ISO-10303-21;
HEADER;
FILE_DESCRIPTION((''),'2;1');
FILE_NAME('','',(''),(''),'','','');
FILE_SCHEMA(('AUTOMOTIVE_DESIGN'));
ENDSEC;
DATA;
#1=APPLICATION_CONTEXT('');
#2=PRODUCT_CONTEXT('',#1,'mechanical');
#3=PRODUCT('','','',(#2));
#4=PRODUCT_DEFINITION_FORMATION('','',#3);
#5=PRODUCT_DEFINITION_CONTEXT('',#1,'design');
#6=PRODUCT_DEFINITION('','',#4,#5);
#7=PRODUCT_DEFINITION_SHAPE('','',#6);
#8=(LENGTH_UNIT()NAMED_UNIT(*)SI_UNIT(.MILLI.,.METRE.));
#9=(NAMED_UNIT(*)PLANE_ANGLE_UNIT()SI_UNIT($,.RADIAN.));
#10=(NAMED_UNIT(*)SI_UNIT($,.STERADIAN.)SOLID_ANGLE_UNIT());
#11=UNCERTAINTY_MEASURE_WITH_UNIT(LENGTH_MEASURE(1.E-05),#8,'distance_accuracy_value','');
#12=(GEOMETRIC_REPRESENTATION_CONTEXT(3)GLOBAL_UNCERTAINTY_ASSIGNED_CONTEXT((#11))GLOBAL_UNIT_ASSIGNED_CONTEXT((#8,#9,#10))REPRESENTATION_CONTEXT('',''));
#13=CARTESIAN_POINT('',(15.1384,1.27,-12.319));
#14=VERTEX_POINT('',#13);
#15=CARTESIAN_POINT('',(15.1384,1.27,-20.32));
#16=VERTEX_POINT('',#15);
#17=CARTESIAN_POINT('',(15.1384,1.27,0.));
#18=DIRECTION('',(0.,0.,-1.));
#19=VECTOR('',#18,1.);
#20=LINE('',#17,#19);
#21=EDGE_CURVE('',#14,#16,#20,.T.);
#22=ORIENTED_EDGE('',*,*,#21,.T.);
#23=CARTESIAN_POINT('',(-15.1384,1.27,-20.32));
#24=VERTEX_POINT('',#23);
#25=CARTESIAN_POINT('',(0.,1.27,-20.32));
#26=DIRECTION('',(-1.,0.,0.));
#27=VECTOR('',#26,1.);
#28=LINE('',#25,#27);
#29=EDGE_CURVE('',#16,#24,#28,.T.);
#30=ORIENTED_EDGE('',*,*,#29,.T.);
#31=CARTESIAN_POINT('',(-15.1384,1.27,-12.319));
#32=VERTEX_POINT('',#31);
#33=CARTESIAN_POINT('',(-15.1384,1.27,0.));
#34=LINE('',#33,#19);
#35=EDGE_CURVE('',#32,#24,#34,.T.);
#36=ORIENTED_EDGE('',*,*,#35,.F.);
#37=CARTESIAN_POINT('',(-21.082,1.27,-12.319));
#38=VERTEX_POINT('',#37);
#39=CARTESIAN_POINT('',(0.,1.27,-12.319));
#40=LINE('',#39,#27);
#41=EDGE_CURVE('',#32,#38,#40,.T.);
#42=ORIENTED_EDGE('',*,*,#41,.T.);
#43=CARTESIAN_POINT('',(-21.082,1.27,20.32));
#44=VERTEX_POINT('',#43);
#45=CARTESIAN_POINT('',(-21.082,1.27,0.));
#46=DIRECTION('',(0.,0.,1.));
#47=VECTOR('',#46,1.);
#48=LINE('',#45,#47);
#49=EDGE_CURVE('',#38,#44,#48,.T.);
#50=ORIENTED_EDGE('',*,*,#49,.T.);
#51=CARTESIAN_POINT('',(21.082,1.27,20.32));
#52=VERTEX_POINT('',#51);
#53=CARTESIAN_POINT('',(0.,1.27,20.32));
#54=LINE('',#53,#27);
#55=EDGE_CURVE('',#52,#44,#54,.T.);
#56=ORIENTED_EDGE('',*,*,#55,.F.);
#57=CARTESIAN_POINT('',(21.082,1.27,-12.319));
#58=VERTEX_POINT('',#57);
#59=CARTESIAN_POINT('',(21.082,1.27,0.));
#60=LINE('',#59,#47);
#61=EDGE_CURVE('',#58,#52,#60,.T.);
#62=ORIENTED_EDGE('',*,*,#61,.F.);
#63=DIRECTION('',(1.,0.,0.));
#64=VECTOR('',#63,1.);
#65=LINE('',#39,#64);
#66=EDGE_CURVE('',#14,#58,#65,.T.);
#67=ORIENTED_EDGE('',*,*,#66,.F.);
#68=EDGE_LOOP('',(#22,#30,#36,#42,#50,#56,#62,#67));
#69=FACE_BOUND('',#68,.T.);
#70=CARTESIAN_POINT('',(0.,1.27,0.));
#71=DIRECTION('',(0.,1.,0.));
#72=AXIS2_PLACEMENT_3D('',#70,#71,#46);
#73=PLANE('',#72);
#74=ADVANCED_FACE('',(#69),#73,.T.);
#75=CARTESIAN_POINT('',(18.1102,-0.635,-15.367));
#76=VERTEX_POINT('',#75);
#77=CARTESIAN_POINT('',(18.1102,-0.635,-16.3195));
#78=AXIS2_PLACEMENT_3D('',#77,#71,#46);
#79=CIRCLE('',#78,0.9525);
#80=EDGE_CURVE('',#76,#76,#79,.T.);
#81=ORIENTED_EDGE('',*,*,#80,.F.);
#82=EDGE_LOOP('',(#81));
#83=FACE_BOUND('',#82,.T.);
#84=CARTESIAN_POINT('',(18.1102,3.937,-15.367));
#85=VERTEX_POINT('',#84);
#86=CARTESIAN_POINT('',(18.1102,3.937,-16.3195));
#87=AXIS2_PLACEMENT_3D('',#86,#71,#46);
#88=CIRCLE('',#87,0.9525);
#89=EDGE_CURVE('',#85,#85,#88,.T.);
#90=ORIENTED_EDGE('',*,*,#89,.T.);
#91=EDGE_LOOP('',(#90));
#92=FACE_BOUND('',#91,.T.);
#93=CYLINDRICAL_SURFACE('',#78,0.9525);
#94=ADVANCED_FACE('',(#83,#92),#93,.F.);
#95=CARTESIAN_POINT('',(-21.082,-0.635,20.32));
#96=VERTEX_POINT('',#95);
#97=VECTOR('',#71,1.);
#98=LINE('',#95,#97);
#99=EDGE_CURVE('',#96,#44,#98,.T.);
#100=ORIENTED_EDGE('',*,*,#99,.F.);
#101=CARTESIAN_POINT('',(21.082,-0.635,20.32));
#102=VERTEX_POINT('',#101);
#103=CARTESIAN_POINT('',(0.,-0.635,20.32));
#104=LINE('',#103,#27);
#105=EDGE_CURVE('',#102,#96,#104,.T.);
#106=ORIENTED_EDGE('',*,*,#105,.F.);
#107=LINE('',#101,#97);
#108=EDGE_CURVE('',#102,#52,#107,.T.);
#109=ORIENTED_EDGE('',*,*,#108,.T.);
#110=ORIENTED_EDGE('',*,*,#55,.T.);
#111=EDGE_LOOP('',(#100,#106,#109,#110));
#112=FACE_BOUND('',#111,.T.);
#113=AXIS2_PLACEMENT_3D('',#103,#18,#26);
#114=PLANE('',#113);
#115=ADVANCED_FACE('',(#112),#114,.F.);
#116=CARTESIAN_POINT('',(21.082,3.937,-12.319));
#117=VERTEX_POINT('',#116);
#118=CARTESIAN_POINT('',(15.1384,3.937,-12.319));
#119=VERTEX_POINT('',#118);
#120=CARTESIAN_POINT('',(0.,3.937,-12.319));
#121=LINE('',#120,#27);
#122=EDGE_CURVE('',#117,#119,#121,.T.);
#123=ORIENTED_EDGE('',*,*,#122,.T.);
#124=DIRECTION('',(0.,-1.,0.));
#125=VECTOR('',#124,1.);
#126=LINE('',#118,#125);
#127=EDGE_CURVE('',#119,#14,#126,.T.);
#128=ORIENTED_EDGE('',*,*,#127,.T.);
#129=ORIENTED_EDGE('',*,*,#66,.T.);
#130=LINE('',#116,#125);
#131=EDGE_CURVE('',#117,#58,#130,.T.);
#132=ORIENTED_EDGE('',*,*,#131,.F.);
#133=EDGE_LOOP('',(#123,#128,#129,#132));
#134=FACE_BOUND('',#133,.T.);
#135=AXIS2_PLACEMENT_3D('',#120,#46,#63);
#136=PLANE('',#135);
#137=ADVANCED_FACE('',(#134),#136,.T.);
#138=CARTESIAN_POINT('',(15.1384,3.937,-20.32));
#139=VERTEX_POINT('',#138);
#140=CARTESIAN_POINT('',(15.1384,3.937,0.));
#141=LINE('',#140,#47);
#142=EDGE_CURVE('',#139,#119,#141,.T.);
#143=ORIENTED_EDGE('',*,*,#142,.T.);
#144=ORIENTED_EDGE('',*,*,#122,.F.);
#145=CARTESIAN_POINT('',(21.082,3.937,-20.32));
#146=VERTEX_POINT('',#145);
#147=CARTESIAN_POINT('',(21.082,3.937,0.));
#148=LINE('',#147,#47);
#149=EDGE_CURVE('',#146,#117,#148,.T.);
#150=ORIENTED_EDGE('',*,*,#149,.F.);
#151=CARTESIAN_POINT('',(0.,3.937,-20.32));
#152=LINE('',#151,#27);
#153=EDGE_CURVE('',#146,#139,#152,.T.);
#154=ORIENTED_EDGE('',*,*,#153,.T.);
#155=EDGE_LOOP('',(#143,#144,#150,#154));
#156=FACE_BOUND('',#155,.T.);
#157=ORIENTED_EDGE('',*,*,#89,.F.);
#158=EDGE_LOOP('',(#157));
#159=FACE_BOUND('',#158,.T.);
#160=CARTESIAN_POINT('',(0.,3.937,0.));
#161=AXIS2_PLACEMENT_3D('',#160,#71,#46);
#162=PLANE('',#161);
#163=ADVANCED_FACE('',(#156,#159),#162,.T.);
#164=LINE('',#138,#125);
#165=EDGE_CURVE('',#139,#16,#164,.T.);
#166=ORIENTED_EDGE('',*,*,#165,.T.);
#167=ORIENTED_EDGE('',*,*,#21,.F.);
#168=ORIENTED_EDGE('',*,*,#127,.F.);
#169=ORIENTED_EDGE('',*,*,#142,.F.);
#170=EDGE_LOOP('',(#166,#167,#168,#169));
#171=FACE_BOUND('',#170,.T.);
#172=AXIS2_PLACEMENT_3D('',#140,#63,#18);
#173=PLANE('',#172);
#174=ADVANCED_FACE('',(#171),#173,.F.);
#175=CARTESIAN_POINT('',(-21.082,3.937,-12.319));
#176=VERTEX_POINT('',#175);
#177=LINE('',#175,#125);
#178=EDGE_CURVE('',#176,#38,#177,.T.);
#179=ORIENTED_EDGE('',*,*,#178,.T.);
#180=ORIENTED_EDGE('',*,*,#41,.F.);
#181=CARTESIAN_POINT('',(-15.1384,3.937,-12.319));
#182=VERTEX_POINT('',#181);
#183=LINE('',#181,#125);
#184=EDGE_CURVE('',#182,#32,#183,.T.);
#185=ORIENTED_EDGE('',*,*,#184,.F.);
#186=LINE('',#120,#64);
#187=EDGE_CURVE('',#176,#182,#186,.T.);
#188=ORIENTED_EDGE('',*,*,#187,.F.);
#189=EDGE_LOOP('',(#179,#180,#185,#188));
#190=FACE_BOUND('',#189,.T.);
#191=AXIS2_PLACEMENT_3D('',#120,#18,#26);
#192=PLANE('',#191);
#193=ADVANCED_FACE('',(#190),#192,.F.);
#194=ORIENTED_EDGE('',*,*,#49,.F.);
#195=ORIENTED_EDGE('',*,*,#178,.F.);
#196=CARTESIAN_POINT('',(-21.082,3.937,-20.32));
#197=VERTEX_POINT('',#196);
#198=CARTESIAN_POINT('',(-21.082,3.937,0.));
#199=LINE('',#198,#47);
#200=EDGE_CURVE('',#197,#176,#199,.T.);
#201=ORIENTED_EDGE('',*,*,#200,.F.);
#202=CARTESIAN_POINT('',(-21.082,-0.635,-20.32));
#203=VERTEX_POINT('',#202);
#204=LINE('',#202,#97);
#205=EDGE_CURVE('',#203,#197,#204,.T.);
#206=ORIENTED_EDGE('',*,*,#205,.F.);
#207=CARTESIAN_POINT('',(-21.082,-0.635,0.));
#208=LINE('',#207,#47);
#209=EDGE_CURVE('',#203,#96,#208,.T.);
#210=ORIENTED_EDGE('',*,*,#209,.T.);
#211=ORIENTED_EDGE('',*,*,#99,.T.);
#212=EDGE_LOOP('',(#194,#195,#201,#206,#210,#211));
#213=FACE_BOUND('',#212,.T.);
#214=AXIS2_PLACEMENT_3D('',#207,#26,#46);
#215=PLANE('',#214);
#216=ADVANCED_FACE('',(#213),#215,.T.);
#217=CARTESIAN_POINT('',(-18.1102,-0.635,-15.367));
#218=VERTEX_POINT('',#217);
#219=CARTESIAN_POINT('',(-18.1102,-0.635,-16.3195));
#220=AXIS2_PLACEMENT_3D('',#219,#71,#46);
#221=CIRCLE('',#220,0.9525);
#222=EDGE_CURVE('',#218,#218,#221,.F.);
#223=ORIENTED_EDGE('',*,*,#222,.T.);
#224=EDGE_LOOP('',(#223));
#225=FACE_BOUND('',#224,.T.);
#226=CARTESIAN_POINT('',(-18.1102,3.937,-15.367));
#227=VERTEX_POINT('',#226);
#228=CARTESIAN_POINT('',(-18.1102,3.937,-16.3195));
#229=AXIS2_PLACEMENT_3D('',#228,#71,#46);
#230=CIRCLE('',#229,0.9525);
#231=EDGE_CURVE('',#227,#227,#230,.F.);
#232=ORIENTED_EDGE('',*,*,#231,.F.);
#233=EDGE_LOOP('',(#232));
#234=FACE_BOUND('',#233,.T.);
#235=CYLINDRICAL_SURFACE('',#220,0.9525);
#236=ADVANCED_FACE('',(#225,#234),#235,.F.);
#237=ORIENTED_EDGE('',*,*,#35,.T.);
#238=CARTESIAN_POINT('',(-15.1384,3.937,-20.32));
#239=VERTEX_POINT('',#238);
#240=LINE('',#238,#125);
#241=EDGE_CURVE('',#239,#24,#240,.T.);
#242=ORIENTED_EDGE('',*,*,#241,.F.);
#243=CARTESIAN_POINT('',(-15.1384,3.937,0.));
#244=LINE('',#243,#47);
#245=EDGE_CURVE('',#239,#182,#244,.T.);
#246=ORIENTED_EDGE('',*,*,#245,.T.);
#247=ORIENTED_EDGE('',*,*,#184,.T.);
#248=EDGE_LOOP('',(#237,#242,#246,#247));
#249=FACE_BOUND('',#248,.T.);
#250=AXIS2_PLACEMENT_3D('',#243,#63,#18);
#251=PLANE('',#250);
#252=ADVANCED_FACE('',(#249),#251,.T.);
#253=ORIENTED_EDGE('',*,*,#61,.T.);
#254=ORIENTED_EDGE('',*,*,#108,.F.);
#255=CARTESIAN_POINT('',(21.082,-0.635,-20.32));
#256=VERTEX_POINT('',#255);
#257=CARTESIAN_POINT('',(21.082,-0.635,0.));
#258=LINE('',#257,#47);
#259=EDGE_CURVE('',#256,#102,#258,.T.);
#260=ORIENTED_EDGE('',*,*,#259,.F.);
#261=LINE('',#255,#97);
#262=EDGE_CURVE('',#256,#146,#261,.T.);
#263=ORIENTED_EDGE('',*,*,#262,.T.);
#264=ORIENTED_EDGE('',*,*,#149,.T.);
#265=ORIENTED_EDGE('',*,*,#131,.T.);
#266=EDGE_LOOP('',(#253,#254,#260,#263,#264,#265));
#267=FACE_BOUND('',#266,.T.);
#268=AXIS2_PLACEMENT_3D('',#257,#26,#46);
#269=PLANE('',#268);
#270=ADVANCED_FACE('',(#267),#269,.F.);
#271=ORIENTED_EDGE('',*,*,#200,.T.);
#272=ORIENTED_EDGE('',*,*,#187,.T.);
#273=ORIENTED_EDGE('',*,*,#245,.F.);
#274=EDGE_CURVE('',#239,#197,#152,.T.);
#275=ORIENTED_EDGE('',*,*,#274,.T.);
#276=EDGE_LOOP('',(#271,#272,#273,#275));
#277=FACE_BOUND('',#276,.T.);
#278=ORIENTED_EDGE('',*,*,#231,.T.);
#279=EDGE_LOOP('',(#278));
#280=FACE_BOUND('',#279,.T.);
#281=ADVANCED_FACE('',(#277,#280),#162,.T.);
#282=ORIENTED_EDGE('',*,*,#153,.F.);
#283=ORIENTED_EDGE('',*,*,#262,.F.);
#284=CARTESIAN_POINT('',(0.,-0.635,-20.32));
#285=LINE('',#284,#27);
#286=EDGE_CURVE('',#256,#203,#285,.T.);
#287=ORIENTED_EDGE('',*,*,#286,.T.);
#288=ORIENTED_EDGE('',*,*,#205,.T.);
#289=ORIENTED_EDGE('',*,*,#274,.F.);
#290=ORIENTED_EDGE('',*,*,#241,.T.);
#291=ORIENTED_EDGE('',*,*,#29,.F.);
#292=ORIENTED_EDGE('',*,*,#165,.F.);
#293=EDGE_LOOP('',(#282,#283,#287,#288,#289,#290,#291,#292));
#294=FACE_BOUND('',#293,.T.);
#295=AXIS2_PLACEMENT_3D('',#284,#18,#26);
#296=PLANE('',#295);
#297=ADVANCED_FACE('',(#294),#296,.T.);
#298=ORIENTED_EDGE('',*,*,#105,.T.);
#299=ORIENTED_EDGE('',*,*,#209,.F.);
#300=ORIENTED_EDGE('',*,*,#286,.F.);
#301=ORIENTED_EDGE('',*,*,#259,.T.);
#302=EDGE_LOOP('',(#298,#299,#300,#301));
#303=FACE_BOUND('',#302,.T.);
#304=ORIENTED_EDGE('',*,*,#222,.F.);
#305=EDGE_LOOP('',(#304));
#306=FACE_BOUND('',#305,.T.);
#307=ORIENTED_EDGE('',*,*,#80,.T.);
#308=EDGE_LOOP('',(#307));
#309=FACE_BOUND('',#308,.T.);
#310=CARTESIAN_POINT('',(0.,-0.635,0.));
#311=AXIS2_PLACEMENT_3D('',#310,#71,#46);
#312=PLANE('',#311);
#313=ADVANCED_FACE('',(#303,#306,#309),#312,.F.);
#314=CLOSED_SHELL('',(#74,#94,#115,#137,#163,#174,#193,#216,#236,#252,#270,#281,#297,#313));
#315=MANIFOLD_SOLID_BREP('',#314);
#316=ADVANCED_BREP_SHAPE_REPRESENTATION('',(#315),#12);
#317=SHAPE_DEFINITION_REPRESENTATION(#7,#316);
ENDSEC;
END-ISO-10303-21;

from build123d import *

# Parameters (mm, degrees)
BOSS_EXTRUDE1_DEPTH      = 1.27
BOSS_EXTRUDE1_DEPTH_BACK = 0.635
SKETCH1_W                = 42.164
SKETCH1_H                = 40.64
SKETCH1_R                = 0.9525
SKETCH1_4_W              = 5.9436
SKETCH1_4_H              = 8.001
SKETCH1_4_R              = 0.9525
BOSS_EXTRUDE2_DEPTH      = 3.937


with BuildPart() as part:
    # Sketch1 → Boss-Extrude1 (new, two sides: drawn at the far end of the back side and taken through both)
    with BuildSketch(Plane(origin=(0, 0, 0), x_dir=(1, 0, 0), z_dir=(0, 1, 0)).offset(-BOSS_EXTRUDE1_DEPTH_BACK)):
        Rectangle(SKETCH1_W, SKETCH1_H)
        with Locations((18.1102, 16.3195)):
            Circle(SKETCH1_R, mode=Mode.SUBTRACT)
        with Locations((-18.1102, 16.3195)):
            Circle(SKETCH1_R, mode=Mode.SUBTRACT)
    extrude(amount=BOSS_EXTRUDE1_DEPTH + BOSS_EXTRUDE1_DEPTH_BACK)

    # Sketch1_4 → Boss-Extrude2 (add)
    # profile 1 of 2: a face of its own
    with BuildSketch(Plane(origin=(0, 0, 0), x_dir=(1, 0, 0), z_dir=(0, 1, 0))):
        with Locations((18.1102, 16.3195)):
            Rectangle(SKETCH1_4_W, SKETCH1_4_H)
        with Locations((18.1102, 16.3195)):
            Circle(SKETCH1_4_R, mode=Mode.SUBTRACT)
    # profile 2 of 2: a face of its own
    with BuildSketch(Plane(origin=(0, 0, 0), x_dir=(1, 0, 0), z_dir=(0, 1, 0))):
        with Locations((-18.1102, 16.3195)):
            Rectangle(SKETCH1_4_W, SKETCH1_4_H)
        with Locations((-18.1102, 16.3195)):
            Circle(SKETCH1_4_R, mode=Mode.SUBTRACT)
    extrude(amount=BOSS_EXTRUDE2_DEPTH)


solid = part.part
